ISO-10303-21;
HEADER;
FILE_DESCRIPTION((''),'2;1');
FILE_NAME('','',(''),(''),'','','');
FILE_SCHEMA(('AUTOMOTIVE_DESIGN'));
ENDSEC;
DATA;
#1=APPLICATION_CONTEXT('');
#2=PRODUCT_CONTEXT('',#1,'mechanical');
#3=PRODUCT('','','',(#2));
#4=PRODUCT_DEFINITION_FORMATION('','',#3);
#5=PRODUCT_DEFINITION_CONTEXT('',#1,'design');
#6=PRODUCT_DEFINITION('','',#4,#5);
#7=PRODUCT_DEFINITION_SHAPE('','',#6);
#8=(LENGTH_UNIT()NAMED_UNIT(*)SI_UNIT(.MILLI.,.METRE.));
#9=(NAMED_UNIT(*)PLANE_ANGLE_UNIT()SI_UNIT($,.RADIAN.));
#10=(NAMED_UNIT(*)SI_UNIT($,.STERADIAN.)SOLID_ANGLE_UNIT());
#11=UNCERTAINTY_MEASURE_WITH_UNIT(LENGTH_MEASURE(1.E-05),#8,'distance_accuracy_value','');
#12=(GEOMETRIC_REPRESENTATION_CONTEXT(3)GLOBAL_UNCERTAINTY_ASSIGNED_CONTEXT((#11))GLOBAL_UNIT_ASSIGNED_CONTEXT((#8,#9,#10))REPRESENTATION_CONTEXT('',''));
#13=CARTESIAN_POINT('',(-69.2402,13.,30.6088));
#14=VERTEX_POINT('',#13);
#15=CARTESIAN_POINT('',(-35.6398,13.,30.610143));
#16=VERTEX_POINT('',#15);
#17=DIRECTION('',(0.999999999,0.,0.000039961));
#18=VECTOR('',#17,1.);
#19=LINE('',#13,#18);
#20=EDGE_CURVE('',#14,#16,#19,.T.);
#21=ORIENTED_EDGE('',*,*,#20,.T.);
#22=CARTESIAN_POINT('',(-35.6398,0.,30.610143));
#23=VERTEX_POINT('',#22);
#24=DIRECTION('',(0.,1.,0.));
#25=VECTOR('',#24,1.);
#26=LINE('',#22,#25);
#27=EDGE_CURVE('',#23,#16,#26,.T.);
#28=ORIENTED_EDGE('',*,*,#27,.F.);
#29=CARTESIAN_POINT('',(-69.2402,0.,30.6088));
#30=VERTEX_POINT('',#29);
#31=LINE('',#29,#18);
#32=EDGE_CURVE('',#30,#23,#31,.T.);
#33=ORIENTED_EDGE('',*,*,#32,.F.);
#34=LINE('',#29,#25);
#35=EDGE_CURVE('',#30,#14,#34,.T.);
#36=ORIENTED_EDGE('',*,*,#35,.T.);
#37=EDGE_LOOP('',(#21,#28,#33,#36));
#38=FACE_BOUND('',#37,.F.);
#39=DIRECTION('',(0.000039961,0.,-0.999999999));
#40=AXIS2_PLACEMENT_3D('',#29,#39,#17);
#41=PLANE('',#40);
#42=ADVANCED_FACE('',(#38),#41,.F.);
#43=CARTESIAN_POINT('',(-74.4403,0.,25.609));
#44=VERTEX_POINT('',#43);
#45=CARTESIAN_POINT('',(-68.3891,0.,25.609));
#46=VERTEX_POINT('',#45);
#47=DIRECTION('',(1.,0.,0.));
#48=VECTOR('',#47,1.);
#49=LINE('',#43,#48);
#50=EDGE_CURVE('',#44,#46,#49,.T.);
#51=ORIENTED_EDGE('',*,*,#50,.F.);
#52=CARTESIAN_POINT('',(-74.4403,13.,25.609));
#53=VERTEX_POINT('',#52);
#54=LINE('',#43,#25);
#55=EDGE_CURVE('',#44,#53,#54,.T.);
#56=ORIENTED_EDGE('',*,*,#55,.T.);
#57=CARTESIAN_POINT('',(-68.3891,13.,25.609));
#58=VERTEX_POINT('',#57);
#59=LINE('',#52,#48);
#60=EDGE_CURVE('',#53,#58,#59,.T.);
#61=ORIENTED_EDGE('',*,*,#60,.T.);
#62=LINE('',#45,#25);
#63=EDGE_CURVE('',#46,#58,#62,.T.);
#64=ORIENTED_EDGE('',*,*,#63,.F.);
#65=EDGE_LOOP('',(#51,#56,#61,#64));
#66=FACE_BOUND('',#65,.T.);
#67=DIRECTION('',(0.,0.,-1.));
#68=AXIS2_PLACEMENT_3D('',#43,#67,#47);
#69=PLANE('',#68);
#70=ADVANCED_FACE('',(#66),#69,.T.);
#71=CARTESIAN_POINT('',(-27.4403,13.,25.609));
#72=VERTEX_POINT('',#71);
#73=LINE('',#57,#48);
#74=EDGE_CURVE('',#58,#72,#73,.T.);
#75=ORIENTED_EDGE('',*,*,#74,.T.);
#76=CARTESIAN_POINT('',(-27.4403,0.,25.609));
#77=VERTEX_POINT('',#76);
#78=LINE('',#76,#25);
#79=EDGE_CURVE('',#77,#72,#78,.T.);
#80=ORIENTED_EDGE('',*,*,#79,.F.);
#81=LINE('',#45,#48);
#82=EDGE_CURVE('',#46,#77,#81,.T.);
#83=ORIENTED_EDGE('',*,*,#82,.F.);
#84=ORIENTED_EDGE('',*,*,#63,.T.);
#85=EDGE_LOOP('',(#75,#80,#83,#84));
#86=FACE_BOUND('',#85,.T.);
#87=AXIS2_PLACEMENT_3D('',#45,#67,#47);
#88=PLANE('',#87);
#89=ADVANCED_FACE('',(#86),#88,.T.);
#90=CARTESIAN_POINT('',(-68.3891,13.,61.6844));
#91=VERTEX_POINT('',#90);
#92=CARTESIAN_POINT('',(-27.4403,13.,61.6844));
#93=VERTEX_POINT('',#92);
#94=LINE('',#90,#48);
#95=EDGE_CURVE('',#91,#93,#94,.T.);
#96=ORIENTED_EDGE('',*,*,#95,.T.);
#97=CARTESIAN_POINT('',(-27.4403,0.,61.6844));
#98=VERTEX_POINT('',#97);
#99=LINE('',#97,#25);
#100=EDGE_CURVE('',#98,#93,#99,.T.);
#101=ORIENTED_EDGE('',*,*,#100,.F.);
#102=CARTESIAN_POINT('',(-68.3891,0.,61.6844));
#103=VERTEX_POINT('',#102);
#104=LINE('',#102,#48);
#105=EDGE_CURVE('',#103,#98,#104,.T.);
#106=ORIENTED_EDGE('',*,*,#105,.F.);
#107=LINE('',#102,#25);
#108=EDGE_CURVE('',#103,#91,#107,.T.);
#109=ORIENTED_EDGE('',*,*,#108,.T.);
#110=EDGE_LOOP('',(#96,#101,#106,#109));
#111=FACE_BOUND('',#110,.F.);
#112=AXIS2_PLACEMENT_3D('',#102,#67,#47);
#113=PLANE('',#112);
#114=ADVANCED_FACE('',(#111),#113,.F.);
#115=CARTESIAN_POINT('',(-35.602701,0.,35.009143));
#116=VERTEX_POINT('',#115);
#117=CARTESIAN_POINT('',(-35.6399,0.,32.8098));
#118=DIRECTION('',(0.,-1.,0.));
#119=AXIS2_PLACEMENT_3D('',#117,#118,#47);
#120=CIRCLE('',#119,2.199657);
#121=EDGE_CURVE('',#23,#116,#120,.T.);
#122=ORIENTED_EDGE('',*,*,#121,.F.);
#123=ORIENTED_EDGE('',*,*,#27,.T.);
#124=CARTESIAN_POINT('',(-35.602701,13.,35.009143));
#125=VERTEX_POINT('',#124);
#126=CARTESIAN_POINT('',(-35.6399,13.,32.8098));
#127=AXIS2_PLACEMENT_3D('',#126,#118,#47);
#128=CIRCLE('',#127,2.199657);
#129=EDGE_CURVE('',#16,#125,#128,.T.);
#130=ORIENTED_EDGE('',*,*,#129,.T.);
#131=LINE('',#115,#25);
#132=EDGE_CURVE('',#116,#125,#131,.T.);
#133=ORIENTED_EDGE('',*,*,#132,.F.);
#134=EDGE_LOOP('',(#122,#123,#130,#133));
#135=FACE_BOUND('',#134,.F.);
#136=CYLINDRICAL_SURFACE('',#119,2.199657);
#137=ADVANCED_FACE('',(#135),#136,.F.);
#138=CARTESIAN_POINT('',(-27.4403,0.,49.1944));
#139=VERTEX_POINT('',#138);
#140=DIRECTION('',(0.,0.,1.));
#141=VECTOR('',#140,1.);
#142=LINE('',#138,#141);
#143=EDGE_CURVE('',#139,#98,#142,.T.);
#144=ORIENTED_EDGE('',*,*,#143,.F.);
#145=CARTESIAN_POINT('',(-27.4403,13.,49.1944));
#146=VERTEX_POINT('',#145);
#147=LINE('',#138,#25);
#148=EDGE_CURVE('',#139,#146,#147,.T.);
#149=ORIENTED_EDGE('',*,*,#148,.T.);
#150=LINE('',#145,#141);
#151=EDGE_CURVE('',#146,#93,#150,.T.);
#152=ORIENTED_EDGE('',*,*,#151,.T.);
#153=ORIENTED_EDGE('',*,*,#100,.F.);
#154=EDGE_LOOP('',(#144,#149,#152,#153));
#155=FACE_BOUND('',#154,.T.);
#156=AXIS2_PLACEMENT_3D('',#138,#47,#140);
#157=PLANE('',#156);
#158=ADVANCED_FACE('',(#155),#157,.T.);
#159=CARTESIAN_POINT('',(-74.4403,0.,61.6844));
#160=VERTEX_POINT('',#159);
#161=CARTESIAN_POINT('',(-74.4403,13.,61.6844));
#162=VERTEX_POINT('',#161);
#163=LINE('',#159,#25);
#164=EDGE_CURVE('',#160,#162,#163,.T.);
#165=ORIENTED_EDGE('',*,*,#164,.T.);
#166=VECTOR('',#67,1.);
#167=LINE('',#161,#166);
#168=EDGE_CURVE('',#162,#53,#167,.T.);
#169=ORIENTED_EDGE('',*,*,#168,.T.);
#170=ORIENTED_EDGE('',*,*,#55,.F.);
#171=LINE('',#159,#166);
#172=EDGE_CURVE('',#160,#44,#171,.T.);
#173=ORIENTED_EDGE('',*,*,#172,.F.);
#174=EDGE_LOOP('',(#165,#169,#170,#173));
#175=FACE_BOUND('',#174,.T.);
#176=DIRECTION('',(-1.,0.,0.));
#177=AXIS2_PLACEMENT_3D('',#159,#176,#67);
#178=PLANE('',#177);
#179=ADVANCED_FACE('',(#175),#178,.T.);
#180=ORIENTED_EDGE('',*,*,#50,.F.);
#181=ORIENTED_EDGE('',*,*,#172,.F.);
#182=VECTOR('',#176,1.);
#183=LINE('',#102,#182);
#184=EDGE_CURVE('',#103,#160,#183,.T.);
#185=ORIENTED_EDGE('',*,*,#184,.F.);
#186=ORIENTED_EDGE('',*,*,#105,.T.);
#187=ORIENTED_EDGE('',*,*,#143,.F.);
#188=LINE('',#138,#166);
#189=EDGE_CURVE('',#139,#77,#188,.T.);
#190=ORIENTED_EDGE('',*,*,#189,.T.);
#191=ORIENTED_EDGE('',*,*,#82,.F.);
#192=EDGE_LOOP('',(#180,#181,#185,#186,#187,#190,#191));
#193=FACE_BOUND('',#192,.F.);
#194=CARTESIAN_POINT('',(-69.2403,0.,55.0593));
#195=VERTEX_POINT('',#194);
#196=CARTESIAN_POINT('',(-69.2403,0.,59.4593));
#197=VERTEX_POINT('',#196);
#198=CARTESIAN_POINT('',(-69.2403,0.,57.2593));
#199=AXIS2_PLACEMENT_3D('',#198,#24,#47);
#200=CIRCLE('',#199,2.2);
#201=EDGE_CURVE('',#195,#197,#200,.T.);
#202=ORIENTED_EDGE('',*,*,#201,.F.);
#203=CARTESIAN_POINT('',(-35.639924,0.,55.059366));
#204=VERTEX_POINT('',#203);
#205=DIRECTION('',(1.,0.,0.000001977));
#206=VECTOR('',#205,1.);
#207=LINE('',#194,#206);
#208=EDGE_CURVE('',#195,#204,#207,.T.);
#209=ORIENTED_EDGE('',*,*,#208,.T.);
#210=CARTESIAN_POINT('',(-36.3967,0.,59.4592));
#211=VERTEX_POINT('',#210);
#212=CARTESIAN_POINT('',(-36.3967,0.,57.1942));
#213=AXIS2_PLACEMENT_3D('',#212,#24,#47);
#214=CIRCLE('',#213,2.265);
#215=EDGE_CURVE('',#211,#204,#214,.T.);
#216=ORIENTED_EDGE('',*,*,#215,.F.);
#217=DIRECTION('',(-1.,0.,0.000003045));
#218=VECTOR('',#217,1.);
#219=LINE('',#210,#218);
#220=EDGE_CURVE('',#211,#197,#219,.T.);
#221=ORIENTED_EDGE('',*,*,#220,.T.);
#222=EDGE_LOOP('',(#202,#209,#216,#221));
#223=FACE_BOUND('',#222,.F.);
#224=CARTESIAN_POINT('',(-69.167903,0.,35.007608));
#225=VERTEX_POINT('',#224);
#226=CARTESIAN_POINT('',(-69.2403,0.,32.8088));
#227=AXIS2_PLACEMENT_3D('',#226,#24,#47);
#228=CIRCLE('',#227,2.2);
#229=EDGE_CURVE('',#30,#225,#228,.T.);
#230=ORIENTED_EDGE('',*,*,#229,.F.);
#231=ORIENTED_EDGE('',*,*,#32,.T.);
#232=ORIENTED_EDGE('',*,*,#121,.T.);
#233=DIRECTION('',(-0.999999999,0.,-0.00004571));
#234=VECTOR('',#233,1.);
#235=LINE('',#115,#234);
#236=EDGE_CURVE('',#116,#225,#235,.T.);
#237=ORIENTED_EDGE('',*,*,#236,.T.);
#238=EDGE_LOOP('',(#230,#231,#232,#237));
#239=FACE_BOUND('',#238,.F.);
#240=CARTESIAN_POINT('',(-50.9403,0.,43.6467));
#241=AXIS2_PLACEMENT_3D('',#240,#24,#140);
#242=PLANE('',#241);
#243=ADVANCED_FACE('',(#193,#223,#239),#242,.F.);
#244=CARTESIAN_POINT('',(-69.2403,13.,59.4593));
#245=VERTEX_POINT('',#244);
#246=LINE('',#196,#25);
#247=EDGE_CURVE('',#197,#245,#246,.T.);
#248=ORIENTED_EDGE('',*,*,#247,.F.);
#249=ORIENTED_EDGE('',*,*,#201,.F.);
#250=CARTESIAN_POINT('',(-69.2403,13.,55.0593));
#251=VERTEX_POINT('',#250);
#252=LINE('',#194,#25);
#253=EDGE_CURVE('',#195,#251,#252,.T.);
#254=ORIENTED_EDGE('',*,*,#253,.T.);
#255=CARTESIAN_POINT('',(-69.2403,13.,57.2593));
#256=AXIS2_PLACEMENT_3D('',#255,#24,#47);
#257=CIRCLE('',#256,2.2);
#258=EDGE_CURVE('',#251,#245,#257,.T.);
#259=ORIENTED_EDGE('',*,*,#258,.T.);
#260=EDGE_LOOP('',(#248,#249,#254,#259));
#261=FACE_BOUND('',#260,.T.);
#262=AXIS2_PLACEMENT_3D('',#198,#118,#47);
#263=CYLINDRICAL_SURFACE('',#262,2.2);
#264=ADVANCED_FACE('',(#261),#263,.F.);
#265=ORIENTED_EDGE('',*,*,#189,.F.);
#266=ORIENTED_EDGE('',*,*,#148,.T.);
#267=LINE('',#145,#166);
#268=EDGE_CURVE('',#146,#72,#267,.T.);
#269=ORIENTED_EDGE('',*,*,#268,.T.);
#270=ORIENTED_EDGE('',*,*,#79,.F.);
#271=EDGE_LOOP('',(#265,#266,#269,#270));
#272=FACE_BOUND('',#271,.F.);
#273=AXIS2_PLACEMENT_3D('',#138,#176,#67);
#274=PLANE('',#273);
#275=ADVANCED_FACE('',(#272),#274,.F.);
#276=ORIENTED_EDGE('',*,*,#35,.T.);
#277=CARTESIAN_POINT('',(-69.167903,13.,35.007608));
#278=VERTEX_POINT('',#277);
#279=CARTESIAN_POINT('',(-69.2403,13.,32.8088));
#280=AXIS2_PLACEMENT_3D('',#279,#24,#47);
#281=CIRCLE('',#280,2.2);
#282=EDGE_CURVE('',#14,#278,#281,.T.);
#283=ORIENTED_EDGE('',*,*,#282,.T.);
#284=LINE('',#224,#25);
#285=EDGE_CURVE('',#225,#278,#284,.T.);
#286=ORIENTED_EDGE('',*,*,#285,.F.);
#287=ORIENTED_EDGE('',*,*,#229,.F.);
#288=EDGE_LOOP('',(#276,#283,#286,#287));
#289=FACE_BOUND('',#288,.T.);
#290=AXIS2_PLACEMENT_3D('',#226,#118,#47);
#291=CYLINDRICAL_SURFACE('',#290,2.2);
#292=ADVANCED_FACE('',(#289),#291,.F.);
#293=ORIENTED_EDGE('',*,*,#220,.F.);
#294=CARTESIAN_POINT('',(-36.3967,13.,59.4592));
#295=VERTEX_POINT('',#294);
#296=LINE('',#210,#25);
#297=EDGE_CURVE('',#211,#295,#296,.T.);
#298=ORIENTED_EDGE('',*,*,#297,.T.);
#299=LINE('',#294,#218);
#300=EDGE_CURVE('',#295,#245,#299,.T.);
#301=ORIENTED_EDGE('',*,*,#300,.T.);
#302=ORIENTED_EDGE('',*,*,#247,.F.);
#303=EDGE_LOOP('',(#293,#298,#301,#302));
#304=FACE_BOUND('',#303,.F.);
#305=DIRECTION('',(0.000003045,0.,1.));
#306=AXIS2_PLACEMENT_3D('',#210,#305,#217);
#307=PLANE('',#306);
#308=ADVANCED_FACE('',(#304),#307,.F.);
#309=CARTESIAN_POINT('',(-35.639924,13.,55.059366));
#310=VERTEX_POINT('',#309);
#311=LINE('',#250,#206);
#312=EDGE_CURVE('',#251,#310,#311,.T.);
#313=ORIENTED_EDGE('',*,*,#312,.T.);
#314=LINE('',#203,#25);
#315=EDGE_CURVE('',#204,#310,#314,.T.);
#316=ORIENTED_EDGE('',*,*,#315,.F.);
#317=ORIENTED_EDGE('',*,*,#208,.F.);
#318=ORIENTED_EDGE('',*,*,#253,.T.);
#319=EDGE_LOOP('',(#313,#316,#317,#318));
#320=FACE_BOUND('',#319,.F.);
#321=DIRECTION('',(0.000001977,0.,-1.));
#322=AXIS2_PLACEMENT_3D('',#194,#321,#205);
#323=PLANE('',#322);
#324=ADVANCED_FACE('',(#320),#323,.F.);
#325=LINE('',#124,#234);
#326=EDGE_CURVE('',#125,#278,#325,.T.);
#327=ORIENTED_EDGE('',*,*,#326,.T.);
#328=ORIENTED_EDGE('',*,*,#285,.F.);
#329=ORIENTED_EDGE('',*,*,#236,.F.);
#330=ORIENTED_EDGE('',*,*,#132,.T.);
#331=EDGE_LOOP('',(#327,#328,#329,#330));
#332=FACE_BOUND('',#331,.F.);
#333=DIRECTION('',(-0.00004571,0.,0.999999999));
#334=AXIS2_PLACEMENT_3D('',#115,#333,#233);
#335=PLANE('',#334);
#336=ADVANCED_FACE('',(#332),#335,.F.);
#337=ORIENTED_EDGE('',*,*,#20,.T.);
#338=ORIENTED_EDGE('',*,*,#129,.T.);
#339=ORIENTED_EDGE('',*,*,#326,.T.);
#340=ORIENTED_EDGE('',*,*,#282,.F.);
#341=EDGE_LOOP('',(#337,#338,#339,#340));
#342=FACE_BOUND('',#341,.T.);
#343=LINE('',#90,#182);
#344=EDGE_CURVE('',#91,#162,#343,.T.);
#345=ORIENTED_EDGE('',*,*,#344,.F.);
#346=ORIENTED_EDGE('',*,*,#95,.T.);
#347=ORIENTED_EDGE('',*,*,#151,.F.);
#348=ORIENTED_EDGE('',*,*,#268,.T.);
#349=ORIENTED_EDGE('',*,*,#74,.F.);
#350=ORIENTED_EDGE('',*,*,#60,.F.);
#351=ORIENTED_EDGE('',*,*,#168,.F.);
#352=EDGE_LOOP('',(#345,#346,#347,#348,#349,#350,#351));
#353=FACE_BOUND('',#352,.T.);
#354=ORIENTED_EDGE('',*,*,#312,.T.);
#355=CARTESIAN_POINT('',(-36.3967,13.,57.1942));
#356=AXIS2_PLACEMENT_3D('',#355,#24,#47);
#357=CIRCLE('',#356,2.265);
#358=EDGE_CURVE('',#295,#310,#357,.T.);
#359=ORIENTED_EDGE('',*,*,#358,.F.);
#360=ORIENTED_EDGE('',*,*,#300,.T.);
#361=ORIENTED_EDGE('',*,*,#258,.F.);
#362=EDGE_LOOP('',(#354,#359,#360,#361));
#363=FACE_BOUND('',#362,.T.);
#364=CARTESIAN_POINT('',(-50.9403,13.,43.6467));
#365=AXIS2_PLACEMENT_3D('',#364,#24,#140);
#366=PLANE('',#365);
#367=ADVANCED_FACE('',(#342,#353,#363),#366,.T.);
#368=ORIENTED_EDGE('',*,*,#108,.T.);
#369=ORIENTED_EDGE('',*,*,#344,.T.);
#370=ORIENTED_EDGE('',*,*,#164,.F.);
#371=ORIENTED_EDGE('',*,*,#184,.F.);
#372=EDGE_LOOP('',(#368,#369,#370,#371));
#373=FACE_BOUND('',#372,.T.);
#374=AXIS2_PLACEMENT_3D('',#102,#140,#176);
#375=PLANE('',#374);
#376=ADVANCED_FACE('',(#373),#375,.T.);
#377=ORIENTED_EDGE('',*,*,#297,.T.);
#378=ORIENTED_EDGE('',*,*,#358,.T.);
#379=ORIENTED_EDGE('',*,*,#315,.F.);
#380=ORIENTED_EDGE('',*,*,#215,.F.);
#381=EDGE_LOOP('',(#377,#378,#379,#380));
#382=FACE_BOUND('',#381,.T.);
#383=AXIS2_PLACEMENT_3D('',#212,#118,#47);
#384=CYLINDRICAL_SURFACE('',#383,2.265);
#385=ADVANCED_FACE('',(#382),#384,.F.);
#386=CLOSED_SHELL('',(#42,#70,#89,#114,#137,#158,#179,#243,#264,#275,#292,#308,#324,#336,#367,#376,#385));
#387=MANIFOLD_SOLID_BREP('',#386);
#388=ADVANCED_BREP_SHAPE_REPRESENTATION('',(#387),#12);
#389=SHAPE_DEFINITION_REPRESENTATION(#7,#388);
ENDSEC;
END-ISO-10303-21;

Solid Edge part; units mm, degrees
sketch "Sketch1" plane through (0, 0, 0) normal (0, -1, 0) x (1, 0, 0)
  line L0 (-69.2402, 30.6087) -> (-35.6398, 30.6102)
  arc A0 (-35.6398, 30.6102) -> (-35.6027, 35.0092) centre (-35.6399, 32.8098) ccw
  line L1 (-35.6027, 35.0092) -> (-69.1679, 35.0077)
  arc A1 (-69.2402, 30.6087) -> (-69.1679, 35.0077) centre (-69.2403, 32.8088) cw
  line L2 (-69.2403, 55.0593) -> (-35.6399, 55.0593)
  arc A2 (-36.3967, 59.4593) -> (-35.6399, 55.0593) centre (-36.3967, 57.1942) cw
  line L3 (-36.3967, 59.4593) -> (-69.2403, 59.4593)
  arc A3 (-69.2403, 55.0593) -> (-69.2403, 59.4593) centre (-69.2403, 57.2593) cw
  line L4 (-27.4403, 49.1944) -> (-27.4403, 25.609)
  line L5 (-68.3891, 25.609) -> (-27.4403, 25.609)
  line L6 (-74.4403, 25.609) -> (-68.3891, 25.609)
  line L7 (-74.4403, 61.6844) -> (-74.4403, 25.609)
  line L8 (-68.3891, 61.6844) -> (-74.4403, 61.6844)
  line L9 (-68.3891, 61.6844) -> (-27.4403, 61.6844)
  line L10 (-27.4403, 49.1944) -> (-27.4403, 61.6844)
  dimension "D1" = 47
  dimension "D2" = 2.2001
  dimension "D3" = 2.1997
  dimension "D4" = 6
  dimension "D5" = 3
extrude "Protrusion1" add sketch "Sketch1" against normal blind 13
